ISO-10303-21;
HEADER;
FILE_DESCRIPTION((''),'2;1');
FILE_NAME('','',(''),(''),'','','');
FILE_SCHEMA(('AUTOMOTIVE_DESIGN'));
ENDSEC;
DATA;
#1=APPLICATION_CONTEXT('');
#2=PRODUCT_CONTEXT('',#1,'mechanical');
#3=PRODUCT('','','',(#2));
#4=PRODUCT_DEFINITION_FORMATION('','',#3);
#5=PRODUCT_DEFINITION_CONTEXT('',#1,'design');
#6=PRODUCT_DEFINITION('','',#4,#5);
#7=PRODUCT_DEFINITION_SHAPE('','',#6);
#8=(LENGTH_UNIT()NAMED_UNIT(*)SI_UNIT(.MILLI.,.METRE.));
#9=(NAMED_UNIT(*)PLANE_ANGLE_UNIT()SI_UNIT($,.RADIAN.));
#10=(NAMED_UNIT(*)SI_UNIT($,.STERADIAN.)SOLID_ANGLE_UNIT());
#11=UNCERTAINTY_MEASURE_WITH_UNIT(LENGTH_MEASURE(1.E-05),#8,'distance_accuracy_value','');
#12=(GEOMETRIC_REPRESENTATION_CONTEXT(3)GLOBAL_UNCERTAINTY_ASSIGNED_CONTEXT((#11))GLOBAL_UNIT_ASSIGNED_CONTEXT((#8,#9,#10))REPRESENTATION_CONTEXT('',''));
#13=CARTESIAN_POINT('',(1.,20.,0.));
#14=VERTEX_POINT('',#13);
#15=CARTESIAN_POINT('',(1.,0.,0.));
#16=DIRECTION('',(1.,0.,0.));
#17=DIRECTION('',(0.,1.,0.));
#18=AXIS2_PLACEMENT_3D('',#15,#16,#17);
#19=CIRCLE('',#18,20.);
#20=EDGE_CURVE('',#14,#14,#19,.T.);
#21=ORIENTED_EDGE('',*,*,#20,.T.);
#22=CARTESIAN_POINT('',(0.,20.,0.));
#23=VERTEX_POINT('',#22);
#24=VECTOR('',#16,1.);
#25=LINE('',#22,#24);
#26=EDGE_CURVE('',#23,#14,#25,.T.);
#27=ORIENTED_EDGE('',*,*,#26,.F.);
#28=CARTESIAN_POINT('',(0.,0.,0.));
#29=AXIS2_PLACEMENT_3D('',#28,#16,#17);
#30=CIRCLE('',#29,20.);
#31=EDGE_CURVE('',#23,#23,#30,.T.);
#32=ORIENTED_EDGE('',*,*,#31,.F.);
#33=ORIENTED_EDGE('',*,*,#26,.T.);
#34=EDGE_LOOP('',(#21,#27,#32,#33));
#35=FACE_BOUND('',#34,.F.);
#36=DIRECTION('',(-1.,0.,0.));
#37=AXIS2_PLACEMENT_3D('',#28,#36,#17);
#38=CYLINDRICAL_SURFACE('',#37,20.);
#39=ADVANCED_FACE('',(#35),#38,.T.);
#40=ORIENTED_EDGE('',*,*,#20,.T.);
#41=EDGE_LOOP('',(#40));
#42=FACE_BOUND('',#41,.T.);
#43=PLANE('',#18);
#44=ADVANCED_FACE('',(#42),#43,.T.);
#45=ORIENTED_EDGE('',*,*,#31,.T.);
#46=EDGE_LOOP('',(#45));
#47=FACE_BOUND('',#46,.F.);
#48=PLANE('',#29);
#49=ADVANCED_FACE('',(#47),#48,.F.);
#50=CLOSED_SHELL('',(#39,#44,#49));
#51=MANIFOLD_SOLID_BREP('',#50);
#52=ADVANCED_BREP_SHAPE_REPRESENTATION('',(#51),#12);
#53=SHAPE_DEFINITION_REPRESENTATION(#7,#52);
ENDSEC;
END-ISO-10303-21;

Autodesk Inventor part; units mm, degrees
ref_plane "YZ Plane" through (0, 0, 0) normal (1, 0, 0) x (0, 1, 0)
ref_plane "XZ Plane" through (0, 0, 0) normal (0, 1, 0) x (-1, 0, 0)
ref_plane "XY Plane" through (0, 0, 0) normal (0, 0, 1) x (1, 0, 0)
sketch "Sketch1" plane through (0, 0, 0) normal (1, 0, 0) x (0, 1, 0)
  circle A0 centre (0, 0) radius 20
  dimension "d3" = 40
sketch "Sketch2" plane through (0, 0, 0) normal (1, 0, 0) x (0, 1, 0)
  circle A0 centre (0, 0) radius 10 construction
  dimension "d0" = 20
extrude "Extrusion1" [suppressed]
extrude "Extrusion2" add sketch "Sketch1" along normal blind 1
properties part number "CD2" material "Polyethylene, High Density"
